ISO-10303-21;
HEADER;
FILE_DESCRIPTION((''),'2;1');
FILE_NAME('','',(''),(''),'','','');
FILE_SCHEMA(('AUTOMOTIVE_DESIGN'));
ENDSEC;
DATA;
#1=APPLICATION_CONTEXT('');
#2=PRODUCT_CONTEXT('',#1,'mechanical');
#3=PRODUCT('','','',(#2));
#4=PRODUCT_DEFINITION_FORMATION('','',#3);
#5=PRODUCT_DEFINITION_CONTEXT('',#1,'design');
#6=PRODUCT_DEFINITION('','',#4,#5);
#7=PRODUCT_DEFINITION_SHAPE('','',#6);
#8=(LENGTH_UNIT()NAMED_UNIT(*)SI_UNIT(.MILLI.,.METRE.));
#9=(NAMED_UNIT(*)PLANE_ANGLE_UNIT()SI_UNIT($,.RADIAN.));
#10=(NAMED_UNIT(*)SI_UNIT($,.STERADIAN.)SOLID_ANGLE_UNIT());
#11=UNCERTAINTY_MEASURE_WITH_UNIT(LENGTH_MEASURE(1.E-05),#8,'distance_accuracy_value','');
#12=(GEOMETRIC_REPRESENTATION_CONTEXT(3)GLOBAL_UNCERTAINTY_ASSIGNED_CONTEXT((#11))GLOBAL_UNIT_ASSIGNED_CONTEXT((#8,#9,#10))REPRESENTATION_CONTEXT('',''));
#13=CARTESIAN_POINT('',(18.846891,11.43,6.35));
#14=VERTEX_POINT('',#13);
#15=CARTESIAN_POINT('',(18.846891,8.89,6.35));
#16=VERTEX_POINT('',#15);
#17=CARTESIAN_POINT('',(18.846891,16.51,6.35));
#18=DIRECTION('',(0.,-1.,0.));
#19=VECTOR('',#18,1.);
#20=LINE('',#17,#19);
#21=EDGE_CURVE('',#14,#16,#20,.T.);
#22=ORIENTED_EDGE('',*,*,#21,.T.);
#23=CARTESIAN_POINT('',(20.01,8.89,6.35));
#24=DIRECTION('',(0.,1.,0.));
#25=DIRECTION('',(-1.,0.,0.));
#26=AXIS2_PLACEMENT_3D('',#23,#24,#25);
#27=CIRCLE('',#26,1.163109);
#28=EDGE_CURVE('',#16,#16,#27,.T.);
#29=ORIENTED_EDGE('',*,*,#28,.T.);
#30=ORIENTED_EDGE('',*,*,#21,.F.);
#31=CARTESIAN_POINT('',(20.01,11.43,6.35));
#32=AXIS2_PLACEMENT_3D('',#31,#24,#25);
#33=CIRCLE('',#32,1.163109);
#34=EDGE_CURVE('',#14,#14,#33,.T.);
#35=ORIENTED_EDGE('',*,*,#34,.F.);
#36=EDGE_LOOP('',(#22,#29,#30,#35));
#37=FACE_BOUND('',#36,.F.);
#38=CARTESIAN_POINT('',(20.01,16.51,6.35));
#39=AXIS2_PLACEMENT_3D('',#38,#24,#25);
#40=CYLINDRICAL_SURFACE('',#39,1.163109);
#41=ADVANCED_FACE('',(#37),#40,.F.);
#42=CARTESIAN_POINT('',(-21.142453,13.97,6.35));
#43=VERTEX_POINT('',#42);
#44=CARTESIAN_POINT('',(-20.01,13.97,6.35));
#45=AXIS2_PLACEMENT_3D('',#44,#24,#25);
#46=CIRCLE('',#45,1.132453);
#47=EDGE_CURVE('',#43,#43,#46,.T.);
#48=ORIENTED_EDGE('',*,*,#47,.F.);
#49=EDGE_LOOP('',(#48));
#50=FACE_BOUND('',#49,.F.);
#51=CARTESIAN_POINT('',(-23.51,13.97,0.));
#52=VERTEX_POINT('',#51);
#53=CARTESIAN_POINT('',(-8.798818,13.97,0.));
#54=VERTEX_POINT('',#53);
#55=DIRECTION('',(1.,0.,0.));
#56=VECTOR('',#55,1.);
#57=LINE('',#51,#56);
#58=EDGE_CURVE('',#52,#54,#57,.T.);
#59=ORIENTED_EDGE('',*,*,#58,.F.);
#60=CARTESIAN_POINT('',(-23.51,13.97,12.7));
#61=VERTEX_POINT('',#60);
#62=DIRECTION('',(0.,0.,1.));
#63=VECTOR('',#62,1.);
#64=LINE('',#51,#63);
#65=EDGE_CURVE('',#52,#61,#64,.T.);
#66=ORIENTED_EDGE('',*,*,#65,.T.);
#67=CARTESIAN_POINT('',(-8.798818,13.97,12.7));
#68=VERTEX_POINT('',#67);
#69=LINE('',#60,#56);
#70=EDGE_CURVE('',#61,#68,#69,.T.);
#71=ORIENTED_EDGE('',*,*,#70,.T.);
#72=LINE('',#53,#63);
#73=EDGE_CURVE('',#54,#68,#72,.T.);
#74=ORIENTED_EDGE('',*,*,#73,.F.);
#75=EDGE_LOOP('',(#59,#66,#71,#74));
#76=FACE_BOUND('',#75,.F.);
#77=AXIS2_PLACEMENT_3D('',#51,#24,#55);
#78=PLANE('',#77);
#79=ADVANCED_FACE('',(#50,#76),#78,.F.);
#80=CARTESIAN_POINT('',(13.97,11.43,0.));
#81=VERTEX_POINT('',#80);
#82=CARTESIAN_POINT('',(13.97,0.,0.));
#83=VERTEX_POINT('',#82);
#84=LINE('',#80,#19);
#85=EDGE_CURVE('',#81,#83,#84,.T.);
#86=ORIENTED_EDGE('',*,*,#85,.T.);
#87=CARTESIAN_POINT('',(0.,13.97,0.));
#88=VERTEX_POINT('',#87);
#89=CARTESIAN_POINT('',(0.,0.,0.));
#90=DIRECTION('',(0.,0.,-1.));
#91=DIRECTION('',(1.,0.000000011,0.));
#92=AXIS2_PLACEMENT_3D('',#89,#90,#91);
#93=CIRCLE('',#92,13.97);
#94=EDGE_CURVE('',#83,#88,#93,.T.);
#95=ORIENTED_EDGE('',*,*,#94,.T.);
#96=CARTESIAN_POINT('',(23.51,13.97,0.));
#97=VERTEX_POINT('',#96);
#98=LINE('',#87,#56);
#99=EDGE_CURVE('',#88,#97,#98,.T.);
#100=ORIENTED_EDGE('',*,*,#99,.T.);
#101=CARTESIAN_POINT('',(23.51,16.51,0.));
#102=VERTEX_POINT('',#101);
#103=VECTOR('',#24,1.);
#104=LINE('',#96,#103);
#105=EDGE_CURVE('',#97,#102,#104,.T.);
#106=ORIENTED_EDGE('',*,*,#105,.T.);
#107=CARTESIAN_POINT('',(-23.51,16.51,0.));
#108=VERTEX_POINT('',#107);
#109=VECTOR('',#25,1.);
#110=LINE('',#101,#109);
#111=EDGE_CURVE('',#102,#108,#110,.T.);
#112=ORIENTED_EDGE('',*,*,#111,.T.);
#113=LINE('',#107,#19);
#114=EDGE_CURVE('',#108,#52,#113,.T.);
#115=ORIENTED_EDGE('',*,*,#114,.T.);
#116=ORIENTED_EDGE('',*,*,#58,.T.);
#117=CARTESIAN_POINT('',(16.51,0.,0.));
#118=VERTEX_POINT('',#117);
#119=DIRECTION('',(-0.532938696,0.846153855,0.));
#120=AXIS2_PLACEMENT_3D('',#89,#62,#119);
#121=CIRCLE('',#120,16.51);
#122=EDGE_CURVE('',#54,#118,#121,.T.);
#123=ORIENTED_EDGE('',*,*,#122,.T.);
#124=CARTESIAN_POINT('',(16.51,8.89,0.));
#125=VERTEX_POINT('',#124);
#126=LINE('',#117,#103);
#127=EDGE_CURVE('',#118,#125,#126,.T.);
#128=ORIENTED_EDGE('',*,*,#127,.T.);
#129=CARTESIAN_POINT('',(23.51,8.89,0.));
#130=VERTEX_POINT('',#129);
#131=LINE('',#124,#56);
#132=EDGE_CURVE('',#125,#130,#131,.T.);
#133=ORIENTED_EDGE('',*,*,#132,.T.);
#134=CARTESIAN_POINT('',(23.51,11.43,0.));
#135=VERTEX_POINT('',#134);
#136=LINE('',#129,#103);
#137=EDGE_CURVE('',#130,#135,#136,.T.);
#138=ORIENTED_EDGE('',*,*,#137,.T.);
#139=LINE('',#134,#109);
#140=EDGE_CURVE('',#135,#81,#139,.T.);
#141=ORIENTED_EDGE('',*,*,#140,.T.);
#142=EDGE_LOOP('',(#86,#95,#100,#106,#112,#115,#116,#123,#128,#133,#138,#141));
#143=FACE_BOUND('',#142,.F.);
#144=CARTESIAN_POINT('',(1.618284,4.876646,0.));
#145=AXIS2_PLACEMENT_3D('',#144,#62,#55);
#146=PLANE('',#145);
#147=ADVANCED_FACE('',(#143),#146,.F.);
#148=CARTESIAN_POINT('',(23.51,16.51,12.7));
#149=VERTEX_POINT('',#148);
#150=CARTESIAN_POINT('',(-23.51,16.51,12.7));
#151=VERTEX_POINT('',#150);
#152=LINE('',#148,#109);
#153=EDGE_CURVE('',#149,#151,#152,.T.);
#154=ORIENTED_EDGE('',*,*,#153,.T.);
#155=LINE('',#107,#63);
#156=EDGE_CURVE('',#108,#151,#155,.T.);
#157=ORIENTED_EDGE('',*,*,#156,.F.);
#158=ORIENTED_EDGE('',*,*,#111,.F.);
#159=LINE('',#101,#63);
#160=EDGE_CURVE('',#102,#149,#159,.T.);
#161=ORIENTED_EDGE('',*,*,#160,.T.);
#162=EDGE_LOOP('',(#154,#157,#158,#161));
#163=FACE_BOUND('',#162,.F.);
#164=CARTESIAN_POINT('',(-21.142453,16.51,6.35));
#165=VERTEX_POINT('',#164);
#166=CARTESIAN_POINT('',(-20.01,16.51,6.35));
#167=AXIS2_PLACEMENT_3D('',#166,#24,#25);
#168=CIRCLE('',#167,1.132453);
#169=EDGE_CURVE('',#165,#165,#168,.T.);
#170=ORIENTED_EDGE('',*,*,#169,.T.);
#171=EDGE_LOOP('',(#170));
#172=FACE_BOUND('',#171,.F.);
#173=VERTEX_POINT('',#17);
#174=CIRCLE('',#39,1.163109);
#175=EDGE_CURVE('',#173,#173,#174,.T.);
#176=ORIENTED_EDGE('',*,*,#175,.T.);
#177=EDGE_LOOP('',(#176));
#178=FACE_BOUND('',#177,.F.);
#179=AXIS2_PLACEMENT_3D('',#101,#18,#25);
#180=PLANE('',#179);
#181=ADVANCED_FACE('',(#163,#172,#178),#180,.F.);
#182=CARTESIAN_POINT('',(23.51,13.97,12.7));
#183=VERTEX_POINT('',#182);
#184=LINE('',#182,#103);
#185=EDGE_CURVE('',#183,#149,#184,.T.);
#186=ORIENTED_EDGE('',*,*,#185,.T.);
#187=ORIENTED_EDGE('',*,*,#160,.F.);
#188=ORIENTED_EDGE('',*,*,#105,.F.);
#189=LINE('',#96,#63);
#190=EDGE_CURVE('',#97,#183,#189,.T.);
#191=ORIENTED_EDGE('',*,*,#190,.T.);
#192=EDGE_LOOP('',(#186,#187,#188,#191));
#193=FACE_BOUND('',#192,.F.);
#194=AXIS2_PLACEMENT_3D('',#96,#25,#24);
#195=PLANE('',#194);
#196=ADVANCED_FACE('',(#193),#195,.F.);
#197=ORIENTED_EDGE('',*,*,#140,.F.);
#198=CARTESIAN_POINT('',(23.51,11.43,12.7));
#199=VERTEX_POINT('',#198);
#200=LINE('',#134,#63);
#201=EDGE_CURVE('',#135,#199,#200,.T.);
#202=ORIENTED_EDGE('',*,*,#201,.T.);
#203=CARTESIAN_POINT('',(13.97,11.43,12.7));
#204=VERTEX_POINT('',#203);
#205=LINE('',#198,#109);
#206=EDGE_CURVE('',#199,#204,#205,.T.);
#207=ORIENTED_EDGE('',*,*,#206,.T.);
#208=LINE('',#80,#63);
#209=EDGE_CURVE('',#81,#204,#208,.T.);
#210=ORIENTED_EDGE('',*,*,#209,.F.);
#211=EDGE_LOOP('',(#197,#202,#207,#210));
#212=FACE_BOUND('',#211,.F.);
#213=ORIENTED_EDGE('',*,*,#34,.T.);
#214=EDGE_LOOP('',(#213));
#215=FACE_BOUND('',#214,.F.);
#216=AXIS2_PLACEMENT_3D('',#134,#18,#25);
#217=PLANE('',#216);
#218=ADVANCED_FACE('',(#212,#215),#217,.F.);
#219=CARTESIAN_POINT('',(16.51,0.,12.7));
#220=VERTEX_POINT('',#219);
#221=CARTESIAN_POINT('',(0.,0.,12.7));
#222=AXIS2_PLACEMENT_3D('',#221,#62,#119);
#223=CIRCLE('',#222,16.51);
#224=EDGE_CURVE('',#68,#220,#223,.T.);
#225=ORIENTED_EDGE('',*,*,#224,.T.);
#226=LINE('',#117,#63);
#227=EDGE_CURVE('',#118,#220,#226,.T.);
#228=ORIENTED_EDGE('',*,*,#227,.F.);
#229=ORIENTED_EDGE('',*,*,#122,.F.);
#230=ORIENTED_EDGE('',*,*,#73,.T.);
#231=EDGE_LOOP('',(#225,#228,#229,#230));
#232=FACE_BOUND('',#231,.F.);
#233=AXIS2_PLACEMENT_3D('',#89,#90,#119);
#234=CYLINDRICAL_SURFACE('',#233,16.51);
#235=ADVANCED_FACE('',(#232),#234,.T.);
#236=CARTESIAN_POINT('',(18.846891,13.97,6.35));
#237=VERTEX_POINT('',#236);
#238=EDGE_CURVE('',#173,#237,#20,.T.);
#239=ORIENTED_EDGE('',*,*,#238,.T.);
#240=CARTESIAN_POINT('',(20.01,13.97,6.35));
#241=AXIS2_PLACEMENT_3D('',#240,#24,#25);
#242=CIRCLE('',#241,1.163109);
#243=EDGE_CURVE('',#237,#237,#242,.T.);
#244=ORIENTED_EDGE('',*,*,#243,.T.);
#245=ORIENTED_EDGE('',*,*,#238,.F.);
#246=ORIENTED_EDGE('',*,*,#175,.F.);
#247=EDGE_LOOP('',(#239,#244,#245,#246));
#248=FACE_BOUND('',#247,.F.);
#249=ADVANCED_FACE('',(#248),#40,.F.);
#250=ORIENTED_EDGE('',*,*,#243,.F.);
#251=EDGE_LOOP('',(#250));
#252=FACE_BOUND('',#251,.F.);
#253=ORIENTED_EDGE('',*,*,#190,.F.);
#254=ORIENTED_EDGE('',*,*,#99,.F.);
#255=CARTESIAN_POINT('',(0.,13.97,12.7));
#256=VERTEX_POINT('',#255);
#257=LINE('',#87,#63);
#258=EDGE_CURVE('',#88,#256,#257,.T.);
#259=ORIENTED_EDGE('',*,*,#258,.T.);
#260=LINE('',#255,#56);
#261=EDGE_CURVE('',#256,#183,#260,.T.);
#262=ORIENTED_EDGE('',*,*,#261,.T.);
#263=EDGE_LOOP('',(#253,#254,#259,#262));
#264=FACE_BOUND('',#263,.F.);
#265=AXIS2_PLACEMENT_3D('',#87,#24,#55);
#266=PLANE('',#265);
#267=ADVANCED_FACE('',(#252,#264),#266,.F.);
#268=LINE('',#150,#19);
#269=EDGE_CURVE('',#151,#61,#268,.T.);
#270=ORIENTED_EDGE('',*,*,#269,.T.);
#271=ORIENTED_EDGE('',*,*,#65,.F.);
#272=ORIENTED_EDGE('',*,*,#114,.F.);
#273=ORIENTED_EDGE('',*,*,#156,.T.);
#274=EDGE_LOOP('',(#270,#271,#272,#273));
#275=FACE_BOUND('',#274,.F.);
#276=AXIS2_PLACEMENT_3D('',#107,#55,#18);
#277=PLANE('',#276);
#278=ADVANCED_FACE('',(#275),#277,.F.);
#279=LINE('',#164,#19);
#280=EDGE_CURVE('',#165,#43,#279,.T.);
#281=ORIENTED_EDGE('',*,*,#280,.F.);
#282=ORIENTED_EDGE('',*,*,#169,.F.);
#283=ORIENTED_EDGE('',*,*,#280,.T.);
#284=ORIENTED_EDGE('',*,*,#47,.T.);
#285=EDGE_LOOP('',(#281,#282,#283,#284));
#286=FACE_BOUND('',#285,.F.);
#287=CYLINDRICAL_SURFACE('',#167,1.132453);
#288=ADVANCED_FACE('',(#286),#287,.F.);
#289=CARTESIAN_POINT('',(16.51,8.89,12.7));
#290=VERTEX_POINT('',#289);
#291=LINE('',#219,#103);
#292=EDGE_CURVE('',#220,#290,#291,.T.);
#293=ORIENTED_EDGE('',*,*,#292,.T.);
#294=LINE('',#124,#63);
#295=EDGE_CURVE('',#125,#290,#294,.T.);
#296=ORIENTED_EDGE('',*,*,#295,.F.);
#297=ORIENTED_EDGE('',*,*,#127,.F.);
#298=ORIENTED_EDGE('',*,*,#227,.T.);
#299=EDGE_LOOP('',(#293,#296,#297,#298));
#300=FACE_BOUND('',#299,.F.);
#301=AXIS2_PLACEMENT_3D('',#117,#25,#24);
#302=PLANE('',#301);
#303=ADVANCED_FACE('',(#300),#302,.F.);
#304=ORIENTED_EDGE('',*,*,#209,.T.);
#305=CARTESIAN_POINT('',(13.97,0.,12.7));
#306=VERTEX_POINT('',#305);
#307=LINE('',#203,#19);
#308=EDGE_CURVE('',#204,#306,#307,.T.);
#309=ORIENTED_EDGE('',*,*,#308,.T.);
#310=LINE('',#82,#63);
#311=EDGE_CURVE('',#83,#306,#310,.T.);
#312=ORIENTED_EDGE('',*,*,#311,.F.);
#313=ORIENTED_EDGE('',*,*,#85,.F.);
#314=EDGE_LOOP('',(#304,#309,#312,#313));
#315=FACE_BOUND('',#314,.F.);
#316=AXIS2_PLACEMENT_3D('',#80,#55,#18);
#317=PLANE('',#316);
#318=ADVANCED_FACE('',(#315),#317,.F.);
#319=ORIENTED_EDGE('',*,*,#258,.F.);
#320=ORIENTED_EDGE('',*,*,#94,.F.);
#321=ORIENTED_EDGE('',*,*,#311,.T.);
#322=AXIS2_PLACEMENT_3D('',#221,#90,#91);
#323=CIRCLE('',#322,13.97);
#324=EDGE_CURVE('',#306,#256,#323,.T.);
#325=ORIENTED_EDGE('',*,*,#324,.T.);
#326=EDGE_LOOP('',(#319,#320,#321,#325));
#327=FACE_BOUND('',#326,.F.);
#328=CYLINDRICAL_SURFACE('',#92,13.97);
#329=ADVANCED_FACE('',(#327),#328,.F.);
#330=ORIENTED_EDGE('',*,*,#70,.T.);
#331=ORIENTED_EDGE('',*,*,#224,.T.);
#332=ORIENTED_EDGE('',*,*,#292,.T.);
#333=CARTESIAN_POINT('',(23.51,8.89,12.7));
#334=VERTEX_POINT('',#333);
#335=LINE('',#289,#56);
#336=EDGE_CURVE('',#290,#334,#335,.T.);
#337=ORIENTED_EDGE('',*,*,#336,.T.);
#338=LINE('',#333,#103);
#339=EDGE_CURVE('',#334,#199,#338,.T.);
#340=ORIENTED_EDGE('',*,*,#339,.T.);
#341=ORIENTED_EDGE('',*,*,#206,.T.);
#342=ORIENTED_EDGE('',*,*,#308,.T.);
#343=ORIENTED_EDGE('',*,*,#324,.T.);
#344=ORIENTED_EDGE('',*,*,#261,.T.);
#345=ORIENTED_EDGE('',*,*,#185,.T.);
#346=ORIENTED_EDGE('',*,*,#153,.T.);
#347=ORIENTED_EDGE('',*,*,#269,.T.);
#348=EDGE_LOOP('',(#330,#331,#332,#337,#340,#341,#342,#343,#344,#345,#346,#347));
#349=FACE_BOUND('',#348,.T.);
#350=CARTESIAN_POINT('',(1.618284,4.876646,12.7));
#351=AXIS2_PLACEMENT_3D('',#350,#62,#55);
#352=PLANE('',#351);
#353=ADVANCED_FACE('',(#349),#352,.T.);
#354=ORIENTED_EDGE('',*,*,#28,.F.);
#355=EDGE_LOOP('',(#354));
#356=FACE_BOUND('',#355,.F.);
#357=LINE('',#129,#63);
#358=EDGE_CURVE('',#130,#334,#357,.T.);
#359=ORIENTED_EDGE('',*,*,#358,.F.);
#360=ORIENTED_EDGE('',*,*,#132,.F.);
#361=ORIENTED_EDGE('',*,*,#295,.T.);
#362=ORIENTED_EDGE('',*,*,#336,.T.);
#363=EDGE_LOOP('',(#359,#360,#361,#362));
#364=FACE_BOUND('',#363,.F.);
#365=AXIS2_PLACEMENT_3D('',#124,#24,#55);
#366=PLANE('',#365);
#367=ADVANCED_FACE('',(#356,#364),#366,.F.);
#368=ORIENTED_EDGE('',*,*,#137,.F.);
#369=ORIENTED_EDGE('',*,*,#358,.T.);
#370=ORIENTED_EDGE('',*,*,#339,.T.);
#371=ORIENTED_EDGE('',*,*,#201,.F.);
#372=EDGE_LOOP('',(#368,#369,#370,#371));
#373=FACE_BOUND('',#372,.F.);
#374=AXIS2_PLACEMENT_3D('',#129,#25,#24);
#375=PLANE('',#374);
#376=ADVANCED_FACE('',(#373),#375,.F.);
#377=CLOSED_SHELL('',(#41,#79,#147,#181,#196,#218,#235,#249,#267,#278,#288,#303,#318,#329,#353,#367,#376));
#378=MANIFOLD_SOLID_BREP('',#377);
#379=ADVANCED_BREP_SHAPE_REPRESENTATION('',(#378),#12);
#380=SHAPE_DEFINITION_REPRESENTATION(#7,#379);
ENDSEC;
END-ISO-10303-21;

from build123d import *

# Parameters (mm, degrees)
F1_DEPTH = 12.7
F2_R     = 1.132453
F2_R_2   = 1.163109
F3_DEPTH = 33.021


with BuildPart() as f1:
    # F0 (on Top) → F1 (new body)
    with BuildSketch(Plane.XY):
        with BuildLine():
            ThreePointArc((13.97, 0), (-9.878282, -9.878282), (0, 13.97))
            Line((0, 13.97), (23.51, 13.97))
            Line((23.51, 13.97), (23.51, 16.51))
            Line((23.51, 16.51), (-23.51, 16.51))
            Line((-23.51, 16.51), (-23.51, 13.97))
            Line((-23.51, 13.97), (-8.798818, 13.97))
            ThreePointArc((-8.798818, 13.97), (-7.978459, -14.454214), (16.51, 0))
            Line((16.51, 0), (16.51, 8.89))
            Line((16.51, 8.89), (23.51, 8.89))
            Line((23.51, 8.89), (23.51, 11.43))
            Line((23.51, 11.43), (13.97, 11.43))
            Line((13.97, 11.43), (13.97, 0))
        make_face()
    extrude(amount=F1_DEPTH)

    # F2 (on face) → F3 (cut, through all)
    with BuildSketch(Plane(origin=(0, 16.51, 0), x_dir=(-1, 0, 0), z_dir=(0, 1, 0))):
        with Locations((20.01, 6.35)):
            Circle(F2_R)
        with Locations((-20.01, 6.35)):
            Circle(F2_R_2)
    extrude(amount=-F3_DEPTH, mode=Mode.SUBTRACT)


solid = f1.part
